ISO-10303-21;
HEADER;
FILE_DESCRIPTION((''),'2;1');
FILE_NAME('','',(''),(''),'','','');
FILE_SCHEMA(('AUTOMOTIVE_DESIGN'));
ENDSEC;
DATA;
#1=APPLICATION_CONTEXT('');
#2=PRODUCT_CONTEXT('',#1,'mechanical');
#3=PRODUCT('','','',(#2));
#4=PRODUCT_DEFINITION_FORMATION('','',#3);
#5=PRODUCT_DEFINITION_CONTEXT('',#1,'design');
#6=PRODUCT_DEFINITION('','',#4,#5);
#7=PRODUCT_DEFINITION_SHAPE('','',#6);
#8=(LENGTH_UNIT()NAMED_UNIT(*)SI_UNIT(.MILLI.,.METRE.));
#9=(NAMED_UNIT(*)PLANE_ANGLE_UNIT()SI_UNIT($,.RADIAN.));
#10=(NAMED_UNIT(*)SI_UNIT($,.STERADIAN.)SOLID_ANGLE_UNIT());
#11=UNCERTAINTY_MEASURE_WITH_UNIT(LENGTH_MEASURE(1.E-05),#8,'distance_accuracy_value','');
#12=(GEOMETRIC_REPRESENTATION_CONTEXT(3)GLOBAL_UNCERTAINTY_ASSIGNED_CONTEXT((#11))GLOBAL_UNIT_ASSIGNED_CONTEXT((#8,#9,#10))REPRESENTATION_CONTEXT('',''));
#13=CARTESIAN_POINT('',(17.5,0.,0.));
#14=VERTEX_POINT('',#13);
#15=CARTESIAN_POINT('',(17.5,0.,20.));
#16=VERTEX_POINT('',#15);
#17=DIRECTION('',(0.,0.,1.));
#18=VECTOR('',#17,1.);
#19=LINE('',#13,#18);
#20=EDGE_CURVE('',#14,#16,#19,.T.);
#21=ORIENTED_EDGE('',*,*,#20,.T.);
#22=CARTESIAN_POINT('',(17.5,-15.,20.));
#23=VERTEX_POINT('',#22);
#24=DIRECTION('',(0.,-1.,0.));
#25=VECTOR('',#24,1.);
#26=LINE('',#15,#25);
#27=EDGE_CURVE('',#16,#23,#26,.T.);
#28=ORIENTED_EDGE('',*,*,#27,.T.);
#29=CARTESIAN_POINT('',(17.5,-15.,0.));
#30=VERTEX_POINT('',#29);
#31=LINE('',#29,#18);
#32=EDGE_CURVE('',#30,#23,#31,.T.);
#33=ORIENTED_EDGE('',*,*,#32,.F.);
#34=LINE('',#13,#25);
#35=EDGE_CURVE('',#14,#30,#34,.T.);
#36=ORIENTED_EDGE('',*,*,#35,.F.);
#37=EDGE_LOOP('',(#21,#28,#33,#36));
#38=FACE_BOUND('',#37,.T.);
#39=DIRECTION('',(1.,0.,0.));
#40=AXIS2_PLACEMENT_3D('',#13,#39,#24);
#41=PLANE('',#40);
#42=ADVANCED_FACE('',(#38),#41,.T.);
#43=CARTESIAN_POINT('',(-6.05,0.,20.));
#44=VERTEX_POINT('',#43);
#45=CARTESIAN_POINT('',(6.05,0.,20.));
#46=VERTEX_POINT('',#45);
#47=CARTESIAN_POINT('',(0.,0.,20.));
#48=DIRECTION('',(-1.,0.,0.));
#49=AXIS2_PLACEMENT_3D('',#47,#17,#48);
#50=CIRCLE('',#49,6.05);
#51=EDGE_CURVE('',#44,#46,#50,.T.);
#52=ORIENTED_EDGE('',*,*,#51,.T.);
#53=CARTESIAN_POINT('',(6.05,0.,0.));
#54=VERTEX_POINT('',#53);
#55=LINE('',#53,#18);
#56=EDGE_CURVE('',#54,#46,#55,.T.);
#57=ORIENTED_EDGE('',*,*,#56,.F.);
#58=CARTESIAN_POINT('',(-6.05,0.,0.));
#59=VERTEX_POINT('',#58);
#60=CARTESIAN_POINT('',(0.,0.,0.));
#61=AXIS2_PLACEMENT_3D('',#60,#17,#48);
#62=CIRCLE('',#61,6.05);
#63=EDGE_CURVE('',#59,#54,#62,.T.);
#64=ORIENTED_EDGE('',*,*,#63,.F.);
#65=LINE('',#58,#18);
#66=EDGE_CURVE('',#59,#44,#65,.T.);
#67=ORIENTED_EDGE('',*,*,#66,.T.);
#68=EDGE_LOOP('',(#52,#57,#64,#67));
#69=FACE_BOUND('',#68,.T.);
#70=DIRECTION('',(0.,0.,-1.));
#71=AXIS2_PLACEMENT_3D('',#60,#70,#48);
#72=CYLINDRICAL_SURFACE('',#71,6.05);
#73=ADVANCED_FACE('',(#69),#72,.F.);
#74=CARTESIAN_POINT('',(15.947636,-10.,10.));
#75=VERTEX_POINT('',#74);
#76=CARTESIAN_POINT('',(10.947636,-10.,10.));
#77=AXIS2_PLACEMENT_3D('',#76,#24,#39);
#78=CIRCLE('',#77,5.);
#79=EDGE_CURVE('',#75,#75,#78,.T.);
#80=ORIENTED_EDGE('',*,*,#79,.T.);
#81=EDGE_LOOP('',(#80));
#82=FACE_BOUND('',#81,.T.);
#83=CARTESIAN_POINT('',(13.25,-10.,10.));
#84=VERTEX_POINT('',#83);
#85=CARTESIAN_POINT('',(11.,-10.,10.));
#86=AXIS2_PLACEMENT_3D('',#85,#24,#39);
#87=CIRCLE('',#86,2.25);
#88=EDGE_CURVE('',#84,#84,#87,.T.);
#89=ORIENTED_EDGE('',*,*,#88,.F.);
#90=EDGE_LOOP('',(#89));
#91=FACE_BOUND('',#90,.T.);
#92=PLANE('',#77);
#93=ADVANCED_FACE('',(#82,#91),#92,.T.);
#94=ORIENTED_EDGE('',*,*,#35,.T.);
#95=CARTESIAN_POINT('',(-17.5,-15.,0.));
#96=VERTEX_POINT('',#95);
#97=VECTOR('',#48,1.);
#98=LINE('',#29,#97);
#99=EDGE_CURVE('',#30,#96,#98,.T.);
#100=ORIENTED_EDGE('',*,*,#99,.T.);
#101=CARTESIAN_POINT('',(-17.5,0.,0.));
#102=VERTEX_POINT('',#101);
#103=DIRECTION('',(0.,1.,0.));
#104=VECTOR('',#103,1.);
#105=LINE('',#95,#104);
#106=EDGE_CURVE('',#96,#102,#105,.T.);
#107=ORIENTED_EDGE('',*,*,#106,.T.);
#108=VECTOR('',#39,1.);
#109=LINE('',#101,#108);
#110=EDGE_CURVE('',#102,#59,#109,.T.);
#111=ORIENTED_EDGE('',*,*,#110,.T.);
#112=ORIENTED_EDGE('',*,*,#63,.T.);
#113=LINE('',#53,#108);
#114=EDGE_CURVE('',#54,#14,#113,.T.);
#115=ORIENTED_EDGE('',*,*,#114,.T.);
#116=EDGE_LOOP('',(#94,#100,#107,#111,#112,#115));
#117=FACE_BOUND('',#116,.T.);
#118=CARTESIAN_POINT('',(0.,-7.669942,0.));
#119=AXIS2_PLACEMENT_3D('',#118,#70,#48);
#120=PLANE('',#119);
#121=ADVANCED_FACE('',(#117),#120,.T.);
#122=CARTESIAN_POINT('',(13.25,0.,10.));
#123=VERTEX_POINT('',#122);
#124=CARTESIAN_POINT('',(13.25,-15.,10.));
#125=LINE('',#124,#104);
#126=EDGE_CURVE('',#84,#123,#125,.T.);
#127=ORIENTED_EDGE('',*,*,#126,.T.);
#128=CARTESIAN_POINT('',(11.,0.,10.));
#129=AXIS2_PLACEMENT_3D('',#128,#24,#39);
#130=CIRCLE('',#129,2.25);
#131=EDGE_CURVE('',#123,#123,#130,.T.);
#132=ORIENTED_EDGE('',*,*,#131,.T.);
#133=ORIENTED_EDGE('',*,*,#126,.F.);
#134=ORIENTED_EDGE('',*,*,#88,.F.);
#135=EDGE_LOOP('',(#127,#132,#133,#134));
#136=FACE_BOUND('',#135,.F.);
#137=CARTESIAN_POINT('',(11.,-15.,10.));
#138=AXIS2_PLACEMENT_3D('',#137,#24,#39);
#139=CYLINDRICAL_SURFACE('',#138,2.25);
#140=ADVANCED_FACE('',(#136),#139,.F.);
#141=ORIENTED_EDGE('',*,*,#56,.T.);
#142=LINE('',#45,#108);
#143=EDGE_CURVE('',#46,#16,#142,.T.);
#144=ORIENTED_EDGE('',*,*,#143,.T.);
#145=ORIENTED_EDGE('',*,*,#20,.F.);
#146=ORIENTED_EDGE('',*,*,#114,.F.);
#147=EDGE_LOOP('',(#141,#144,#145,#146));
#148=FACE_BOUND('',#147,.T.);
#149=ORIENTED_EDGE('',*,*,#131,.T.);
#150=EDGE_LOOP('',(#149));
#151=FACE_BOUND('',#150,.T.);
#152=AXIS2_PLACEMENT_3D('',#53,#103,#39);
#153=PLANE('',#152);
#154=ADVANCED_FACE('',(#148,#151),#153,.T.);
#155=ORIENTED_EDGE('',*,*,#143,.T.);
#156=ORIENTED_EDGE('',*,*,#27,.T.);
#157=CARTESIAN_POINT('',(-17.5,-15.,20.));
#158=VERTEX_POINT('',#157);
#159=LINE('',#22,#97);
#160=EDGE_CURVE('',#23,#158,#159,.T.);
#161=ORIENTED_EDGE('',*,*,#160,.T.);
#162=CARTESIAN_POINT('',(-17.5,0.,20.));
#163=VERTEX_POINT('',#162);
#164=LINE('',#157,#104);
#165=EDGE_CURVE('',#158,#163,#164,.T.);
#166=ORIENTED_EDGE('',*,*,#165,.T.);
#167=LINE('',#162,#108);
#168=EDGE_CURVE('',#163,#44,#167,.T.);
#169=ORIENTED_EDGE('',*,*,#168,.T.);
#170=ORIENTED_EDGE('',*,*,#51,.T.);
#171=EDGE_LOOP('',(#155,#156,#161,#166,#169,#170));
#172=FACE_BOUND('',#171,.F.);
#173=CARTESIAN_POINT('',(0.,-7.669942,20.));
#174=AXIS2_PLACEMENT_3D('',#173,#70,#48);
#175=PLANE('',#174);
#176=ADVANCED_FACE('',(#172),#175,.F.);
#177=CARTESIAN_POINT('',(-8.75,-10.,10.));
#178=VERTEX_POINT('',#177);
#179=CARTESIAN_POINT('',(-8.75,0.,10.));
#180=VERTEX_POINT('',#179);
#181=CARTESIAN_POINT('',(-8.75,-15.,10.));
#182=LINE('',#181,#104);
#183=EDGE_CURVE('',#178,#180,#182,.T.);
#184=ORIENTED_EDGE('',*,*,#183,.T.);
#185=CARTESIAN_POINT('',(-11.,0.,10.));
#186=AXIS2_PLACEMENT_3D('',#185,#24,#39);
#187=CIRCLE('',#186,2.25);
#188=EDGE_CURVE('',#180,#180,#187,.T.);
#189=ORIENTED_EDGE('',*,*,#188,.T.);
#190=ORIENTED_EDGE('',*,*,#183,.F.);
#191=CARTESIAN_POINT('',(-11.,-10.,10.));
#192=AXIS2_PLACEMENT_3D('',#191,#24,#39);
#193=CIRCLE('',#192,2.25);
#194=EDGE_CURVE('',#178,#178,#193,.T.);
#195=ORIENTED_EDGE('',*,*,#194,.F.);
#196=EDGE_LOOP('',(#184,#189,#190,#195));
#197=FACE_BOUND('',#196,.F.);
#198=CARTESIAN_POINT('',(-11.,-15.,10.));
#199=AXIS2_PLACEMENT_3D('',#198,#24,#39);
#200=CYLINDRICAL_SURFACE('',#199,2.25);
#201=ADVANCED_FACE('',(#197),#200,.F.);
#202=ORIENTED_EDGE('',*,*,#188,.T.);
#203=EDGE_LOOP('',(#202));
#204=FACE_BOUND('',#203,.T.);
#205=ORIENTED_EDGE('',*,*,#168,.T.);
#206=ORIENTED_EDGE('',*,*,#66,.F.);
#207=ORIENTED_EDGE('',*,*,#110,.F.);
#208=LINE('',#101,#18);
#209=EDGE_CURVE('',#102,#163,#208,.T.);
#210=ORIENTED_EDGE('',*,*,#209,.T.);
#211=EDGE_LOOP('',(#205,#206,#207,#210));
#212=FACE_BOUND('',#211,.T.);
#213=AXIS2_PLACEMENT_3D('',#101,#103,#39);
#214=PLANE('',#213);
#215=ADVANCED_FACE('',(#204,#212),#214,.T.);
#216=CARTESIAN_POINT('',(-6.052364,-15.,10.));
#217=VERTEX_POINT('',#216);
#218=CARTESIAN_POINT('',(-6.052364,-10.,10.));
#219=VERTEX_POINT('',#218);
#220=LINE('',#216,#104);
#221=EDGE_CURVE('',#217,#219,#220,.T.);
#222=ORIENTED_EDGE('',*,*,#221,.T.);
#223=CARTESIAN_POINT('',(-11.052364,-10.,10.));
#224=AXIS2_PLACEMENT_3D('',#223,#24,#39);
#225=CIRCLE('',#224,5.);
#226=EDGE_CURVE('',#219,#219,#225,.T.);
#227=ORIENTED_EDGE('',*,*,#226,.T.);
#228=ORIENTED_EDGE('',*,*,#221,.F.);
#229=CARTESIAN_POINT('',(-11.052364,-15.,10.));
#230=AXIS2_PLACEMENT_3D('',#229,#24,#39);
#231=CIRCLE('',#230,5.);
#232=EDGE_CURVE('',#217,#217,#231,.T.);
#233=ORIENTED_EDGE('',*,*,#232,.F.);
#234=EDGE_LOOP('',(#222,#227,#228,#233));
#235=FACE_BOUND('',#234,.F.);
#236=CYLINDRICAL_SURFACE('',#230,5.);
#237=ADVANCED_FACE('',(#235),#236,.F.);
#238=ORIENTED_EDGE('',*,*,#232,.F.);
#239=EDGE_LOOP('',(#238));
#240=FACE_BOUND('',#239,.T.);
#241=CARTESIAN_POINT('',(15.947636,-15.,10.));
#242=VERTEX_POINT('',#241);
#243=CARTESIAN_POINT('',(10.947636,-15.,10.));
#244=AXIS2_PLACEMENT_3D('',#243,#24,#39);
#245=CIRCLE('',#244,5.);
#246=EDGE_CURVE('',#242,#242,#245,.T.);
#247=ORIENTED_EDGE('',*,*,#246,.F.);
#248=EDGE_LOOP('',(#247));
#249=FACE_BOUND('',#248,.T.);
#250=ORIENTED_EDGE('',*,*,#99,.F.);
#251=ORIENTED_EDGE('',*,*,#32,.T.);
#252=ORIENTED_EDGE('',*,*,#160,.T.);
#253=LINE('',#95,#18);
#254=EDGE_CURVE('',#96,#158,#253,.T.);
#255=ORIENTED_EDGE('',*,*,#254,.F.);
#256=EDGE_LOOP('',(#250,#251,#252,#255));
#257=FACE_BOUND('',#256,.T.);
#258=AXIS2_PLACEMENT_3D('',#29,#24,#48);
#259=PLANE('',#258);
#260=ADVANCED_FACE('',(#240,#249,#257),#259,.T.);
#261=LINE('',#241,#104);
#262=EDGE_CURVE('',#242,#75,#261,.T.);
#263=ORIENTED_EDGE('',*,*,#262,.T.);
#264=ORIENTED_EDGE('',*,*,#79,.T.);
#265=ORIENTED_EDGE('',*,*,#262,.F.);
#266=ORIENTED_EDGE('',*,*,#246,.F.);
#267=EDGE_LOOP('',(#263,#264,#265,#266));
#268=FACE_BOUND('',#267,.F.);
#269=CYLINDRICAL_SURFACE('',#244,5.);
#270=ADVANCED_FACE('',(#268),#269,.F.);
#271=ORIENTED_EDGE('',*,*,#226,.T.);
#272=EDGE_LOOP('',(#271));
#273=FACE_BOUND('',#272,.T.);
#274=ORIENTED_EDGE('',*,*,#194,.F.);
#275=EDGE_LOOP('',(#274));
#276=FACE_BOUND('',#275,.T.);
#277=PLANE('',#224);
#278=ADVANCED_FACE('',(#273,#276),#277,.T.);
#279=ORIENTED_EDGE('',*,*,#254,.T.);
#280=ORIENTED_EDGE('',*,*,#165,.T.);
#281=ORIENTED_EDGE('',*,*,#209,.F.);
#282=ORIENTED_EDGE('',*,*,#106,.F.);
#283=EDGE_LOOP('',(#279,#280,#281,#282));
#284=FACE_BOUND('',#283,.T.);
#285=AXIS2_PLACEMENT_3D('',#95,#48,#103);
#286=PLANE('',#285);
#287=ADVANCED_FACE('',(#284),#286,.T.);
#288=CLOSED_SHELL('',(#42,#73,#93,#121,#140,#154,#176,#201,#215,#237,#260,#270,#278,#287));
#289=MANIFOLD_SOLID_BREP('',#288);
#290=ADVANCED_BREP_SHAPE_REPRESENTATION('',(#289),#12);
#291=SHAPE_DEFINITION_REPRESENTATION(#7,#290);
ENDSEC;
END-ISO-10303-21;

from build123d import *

# Parameters (mm, degrees)
PAD_DEPTH       = 20
SKETCH001_R     = 2.25
POCKET_DEPTH    = 15.001
SKETCH002_R     = 5
POCKET001_DEPTH = 5


with BuildPart() as part:
    # Sketch → Pad (new body)
    with BuildSketch(Plane.XY):
        with BuildLine():
            ThreePointArc((-6.05, 0), (0, -6.05), (6.05, 0))
            Line((6.05, 0), (17.5, 0))
            Line((17.5, 0), (17.5, -15))
            Line((17.5, -15), (-17.5, -15))
            Line((-17.5, -15), (-17.5, 0))
            Line((-17.5, 0), (-6.05, 0))
        make_face()
    extrude(amount=PAD_DEPTH)

    # Sketch001 → Pocket (cut, through all)
    with BuildSketch(Plane.XZ.offset(15)):
        with Locations((-11, 10)):
            Circle(SKETCH001_R)
        with Locations((11, 10)):
            Circle(SKETCH001_R)
    extrude(amount=-POCKET_DEPTH, mode=Mode.SUBTRACT)

    # Sketch002 → Pocket001 (cut)
    with BuildSketch(Plane.XZ.offset(15)):
        with Locations((-11.052364, 10)):
            Circle(SKETCH002_R)
        with Locations((10.947636, 10)):
            Circle(SKETCH002_R)
    extrude(amount=-POCKET001_DEPTH, mode=Mode.SUBTRACT)


solid = part.part
